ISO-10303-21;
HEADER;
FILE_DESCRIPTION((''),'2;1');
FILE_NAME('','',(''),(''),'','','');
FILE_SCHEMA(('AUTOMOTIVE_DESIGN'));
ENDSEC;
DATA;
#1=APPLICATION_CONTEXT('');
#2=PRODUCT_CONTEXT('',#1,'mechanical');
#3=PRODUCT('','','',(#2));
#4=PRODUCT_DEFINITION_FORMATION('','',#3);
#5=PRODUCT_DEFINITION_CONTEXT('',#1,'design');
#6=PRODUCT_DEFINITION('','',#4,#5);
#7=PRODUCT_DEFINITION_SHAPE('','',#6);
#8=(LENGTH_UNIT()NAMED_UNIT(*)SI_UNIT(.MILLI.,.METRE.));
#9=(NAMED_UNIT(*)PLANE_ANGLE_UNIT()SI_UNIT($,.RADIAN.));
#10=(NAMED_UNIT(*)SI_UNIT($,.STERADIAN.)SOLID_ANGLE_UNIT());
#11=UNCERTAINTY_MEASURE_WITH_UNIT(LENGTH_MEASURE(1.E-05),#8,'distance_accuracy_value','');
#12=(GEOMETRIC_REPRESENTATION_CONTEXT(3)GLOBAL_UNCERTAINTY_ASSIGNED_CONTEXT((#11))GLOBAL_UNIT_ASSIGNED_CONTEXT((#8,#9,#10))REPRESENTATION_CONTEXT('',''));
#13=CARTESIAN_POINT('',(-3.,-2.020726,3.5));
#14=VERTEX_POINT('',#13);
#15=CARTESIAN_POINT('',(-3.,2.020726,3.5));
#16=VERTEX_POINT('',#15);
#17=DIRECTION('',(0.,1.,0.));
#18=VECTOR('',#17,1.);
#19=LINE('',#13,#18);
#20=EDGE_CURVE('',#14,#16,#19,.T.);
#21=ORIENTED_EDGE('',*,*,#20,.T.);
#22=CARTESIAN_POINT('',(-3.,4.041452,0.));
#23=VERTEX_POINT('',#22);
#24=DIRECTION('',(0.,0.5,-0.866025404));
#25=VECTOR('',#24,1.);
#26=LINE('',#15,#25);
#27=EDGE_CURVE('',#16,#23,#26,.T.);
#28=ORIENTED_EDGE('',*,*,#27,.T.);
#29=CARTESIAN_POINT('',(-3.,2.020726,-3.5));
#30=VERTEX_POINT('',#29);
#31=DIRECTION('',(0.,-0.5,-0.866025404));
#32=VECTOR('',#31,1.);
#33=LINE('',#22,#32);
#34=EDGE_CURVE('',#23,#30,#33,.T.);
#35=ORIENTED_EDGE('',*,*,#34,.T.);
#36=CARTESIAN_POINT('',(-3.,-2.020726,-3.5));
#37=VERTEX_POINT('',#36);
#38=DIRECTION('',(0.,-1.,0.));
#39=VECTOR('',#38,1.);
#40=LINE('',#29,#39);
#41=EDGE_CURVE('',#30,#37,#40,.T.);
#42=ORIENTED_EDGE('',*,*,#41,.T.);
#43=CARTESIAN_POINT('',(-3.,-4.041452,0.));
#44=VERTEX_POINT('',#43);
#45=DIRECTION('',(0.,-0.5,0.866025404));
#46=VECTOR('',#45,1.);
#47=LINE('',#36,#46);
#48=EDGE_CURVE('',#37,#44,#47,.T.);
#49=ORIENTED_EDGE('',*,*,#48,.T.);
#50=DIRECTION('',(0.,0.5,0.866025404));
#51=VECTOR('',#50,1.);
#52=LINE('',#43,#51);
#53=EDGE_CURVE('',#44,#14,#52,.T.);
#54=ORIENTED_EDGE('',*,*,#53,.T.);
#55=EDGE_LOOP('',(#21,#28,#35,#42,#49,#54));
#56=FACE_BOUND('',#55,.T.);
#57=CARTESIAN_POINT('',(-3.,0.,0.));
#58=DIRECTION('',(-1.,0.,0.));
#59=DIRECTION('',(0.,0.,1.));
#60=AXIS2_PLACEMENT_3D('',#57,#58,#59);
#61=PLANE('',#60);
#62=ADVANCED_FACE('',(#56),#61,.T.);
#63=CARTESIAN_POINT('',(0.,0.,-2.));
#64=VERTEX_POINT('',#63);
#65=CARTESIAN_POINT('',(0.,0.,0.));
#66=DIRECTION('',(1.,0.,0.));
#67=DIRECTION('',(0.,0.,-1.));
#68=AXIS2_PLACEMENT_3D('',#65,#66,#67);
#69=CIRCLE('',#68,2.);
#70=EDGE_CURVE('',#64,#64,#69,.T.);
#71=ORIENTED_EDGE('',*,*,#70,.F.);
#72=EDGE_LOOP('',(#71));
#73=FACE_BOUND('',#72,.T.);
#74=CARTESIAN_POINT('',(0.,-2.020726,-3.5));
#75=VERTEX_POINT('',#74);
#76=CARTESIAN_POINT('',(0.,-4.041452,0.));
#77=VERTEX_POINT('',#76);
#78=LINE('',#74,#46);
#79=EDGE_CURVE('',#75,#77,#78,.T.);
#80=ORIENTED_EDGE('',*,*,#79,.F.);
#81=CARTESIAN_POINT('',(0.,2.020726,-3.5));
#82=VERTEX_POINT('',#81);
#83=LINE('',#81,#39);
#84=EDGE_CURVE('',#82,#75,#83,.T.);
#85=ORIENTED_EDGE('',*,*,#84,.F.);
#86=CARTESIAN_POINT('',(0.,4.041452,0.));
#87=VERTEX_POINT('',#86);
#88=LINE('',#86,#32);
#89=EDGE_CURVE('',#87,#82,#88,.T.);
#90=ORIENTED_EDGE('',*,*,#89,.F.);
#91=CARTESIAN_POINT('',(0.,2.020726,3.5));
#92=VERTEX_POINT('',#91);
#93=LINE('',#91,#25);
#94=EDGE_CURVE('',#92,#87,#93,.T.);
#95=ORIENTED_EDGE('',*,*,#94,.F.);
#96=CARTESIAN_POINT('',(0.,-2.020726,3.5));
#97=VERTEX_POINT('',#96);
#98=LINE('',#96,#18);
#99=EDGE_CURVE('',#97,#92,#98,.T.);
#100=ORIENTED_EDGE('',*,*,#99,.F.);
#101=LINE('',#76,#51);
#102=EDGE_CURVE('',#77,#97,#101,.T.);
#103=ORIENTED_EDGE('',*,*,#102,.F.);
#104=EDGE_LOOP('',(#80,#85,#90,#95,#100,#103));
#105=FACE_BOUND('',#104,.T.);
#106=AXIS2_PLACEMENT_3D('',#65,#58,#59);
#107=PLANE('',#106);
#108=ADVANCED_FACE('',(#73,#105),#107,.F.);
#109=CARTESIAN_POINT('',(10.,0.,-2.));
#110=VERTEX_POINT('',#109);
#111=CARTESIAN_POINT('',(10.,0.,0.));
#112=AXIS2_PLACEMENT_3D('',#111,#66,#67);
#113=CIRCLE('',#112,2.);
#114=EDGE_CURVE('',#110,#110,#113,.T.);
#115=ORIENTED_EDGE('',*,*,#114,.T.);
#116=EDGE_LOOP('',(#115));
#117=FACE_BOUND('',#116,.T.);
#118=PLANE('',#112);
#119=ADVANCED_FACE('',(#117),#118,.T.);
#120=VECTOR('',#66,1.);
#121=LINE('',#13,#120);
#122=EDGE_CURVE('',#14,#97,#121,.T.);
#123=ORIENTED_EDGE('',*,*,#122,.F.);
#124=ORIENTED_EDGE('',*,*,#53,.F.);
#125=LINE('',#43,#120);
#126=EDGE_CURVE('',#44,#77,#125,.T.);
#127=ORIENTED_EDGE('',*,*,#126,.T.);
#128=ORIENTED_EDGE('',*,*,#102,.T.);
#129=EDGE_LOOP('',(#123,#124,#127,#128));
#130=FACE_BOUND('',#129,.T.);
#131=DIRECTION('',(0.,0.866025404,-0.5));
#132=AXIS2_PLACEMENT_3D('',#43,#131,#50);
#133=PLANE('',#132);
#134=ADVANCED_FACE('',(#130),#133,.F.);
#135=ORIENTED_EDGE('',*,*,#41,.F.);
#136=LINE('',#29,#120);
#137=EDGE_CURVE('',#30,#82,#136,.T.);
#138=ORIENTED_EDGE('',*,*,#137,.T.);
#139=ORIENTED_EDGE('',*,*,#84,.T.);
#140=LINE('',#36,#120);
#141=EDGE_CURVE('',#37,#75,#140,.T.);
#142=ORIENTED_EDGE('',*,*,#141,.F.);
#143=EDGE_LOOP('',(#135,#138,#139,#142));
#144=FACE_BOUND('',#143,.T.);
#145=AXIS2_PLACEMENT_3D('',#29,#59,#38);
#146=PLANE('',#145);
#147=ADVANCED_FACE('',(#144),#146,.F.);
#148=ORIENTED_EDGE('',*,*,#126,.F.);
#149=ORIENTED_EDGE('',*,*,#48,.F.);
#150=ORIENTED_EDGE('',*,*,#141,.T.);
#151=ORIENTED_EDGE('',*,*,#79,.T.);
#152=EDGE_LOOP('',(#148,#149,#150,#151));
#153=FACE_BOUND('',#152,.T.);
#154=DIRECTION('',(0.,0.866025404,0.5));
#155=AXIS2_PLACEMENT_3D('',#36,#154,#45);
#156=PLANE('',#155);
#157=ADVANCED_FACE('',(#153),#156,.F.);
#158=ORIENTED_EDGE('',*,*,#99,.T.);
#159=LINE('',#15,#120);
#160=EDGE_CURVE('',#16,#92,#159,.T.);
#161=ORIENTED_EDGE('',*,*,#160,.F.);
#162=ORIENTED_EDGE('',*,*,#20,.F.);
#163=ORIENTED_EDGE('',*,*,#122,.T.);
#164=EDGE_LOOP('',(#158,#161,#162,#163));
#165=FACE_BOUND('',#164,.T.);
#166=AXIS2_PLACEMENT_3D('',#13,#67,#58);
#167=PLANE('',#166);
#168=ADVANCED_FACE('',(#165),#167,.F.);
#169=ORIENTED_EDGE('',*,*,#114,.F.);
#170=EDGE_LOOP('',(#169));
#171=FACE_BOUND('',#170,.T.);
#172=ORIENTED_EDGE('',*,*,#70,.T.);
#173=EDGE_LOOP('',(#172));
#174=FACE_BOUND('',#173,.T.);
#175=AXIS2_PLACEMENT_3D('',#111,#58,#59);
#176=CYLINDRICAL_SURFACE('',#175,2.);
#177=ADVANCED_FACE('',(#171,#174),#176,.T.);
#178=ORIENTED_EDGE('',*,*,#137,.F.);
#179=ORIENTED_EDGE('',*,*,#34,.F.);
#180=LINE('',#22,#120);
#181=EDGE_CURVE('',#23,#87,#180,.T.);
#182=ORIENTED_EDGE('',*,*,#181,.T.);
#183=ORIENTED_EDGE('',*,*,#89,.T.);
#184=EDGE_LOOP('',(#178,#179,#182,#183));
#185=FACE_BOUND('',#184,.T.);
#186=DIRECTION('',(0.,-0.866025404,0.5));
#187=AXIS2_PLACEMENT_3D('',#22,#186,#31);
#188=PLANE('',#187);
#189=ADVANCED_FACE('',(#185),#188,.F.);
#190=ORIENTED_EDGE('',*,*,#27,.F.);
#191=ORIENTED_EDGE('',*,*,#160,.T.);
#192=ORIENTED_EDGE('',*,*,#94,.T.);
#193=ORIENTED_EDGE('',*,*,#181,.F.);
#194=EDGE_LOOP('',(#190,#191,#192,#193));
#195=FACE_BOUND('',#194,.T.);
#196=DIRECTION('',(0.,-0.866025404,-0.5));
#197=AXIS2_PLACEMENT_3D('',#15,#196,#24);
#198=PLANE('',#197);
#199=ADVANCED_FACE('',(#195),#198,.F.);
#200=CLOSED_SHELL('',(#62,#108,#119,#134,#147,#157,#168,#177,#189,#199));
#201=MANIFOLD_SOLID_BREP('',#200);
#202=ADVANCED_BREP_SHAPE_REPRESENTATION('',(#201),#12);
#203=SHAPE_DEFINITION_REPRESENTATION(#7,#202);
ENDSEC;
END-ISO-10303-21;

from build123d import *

# Parameters (mm, degrees)
SKETCH1_R            = 2
THREADED_SCREW_DEPTH = 10
HEX_HEAD_DEPTH       = 3


with BuildPart() as part:
    # Sketch1 → Threaded_Screw (new body)
    with BuildSketch(Plane(origin=(0, 0, 0), x_dir=(0, 0, -1), z_dir=(1, 0, 0))):
        Circle(SKETCH1_R)
    extrude(amount=THREADED_SCREW_DEPTH)

    # Sketch2 → Hex_Head (add)
    with BuildSketch(Plane.ZY):
        Polygon((3.5, -2.020725942), (3.5, 2.020725942), (0, 4.041451884), (-3.5, 2.020725942), (-3.5, -2.020725942), (0, -4.041451884), align=None)
    extrude(amount=HEX_HEAD_DEPTH)


solid = part.part
